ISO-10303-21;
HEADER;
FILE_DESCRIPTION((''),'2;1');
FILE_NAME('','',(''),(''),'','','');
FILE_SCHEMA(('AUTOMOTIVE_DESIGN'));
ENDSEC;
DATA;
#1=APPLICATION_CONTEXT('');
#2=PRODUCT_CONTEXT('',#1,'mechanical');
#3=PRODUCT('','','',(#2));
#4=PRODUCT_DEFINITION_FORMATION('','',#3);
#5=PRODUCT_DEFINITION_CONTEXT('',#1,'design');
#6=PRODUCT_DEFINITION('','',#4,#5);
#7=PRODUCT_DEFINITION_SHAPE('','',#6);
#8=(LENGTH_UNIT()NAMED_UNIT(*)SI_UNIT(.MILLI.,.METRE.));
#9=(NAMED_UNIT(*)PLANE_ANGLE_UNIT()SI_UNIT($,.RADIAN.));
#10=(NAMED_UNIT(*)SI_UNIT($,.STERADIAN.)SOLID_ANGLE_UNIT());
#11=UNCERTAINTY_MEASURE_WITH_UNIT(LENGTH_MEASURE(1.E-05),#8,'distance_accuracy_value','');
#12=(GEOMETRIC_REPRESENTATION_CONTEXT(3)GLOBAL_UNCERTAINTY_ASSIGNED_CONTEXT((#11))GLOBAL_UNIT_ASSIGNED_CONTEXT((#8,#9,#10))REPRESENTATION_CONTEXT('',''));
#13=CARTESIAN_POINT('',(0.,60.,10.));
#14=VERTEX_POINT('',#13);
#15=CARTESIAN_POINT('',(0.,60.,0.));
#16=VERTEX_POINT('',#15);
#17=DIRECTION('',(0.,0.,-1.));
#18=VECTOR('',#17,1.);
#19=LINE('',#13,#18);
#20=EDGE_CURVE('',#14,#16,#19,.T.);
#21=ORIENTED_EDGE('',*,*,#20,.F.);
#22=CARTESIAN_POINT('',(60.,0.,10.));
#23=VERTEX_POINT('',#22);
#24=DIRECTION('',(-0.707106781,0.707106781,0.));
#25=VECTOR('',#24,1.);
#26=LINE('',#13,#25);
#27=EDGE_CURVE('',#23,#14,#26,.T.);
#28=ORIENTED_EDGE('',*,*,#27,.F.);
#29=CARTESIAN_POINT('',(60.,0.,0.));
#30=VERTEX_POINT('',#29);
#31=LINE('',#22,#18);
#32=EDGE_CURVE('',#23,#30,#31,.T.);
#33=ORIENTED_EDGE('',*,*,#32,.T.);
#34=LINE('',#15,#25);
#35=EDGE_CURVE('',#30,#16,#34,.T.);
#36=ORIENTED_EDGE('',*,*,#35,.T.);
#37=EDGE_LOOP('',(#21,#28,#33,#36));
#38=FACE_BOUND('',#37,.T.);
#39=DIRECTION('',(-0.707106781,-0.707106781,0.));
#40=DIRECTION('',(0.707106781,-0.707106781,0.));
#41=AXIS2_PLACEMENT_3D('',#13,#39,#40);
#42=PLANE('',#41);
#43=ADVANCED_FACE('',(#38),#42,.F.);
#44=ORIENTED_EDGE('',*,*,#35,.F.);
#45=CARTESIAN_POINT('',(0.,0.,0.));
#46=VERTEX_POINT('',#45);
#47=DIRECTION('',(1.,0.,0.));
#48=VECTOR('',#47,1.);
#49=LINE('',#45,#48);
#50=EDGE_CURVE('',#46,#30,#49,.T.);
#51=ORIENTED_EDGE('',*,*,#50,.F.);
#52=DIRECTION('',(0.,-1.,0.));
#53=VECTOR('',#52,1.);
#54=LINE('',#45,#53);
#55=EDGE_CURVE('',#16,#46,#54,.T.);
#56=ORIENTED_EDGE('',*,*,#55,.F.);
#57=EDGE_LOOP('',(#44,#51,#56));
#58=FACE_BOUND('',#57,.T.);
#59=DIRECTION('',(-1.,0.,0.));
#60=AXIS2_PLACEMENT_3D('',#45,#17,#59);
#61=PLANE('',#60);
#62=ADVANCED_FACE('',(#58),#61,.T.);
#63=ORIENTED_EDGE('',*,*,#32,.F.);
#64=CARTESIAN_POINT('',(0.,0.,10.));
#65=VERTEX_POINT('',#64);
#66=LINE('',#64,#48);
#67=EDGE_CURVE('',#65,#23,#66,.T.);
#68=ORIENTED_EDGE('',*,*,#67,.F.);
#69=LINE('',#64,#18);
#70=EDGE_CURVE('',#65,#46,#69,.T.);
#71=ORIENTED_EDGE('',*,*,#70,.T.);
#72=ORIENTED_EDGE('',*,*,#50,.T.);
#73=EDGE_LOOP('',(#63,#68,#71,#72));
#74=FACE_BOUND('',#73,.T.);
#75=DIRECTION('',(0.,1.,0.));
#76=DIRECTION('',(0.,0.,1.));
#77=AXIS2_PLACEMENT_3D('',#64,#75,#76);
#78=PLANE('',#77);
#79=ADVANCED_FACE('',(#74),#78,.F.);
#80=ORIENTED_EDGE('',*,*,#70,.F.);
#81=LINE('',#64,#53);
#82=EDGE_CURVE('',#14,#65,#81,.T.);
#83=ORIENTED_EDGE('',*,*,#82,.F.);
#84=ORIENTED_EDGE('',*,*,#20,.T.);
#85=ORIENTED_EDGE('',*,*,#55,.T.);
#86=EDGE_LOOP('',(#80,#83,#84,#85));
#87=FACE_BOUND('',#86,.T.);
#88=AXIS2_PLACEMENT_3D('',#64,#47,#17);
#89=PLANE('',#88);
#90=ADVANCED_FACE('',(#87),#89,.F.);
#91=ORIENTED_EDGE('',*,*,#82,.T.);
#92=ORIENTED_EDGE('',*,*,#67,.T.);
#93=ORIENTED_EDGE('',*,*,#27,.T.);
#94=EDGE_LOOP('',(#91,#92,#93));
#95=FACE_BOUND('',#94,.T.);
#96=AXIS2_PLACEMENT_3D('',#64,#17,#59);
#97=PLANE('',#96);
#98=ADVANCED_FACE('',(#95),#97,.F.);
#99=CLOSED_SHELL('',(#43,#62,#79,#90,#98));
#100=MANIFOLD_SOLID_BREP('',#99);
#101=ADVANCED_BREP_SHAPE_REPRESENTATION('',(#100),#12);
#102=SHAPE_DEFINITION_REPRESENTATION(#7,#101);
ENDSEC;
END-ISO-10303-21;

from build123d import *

# Parameters (mm, degrees)
BOSS_EXTRUDE1_DEPTH = 10


with BuildPart() as part:
    # Sketch1 → Boss-Extrude1 (new body)
    with BuildSketch(Plane.XY):
        Polygon((0, 60), (60, 0), (0, 0), align=None)
    extrude(amount=BOSS_EXTRUDE1_DEPTH)


solid = part.part
